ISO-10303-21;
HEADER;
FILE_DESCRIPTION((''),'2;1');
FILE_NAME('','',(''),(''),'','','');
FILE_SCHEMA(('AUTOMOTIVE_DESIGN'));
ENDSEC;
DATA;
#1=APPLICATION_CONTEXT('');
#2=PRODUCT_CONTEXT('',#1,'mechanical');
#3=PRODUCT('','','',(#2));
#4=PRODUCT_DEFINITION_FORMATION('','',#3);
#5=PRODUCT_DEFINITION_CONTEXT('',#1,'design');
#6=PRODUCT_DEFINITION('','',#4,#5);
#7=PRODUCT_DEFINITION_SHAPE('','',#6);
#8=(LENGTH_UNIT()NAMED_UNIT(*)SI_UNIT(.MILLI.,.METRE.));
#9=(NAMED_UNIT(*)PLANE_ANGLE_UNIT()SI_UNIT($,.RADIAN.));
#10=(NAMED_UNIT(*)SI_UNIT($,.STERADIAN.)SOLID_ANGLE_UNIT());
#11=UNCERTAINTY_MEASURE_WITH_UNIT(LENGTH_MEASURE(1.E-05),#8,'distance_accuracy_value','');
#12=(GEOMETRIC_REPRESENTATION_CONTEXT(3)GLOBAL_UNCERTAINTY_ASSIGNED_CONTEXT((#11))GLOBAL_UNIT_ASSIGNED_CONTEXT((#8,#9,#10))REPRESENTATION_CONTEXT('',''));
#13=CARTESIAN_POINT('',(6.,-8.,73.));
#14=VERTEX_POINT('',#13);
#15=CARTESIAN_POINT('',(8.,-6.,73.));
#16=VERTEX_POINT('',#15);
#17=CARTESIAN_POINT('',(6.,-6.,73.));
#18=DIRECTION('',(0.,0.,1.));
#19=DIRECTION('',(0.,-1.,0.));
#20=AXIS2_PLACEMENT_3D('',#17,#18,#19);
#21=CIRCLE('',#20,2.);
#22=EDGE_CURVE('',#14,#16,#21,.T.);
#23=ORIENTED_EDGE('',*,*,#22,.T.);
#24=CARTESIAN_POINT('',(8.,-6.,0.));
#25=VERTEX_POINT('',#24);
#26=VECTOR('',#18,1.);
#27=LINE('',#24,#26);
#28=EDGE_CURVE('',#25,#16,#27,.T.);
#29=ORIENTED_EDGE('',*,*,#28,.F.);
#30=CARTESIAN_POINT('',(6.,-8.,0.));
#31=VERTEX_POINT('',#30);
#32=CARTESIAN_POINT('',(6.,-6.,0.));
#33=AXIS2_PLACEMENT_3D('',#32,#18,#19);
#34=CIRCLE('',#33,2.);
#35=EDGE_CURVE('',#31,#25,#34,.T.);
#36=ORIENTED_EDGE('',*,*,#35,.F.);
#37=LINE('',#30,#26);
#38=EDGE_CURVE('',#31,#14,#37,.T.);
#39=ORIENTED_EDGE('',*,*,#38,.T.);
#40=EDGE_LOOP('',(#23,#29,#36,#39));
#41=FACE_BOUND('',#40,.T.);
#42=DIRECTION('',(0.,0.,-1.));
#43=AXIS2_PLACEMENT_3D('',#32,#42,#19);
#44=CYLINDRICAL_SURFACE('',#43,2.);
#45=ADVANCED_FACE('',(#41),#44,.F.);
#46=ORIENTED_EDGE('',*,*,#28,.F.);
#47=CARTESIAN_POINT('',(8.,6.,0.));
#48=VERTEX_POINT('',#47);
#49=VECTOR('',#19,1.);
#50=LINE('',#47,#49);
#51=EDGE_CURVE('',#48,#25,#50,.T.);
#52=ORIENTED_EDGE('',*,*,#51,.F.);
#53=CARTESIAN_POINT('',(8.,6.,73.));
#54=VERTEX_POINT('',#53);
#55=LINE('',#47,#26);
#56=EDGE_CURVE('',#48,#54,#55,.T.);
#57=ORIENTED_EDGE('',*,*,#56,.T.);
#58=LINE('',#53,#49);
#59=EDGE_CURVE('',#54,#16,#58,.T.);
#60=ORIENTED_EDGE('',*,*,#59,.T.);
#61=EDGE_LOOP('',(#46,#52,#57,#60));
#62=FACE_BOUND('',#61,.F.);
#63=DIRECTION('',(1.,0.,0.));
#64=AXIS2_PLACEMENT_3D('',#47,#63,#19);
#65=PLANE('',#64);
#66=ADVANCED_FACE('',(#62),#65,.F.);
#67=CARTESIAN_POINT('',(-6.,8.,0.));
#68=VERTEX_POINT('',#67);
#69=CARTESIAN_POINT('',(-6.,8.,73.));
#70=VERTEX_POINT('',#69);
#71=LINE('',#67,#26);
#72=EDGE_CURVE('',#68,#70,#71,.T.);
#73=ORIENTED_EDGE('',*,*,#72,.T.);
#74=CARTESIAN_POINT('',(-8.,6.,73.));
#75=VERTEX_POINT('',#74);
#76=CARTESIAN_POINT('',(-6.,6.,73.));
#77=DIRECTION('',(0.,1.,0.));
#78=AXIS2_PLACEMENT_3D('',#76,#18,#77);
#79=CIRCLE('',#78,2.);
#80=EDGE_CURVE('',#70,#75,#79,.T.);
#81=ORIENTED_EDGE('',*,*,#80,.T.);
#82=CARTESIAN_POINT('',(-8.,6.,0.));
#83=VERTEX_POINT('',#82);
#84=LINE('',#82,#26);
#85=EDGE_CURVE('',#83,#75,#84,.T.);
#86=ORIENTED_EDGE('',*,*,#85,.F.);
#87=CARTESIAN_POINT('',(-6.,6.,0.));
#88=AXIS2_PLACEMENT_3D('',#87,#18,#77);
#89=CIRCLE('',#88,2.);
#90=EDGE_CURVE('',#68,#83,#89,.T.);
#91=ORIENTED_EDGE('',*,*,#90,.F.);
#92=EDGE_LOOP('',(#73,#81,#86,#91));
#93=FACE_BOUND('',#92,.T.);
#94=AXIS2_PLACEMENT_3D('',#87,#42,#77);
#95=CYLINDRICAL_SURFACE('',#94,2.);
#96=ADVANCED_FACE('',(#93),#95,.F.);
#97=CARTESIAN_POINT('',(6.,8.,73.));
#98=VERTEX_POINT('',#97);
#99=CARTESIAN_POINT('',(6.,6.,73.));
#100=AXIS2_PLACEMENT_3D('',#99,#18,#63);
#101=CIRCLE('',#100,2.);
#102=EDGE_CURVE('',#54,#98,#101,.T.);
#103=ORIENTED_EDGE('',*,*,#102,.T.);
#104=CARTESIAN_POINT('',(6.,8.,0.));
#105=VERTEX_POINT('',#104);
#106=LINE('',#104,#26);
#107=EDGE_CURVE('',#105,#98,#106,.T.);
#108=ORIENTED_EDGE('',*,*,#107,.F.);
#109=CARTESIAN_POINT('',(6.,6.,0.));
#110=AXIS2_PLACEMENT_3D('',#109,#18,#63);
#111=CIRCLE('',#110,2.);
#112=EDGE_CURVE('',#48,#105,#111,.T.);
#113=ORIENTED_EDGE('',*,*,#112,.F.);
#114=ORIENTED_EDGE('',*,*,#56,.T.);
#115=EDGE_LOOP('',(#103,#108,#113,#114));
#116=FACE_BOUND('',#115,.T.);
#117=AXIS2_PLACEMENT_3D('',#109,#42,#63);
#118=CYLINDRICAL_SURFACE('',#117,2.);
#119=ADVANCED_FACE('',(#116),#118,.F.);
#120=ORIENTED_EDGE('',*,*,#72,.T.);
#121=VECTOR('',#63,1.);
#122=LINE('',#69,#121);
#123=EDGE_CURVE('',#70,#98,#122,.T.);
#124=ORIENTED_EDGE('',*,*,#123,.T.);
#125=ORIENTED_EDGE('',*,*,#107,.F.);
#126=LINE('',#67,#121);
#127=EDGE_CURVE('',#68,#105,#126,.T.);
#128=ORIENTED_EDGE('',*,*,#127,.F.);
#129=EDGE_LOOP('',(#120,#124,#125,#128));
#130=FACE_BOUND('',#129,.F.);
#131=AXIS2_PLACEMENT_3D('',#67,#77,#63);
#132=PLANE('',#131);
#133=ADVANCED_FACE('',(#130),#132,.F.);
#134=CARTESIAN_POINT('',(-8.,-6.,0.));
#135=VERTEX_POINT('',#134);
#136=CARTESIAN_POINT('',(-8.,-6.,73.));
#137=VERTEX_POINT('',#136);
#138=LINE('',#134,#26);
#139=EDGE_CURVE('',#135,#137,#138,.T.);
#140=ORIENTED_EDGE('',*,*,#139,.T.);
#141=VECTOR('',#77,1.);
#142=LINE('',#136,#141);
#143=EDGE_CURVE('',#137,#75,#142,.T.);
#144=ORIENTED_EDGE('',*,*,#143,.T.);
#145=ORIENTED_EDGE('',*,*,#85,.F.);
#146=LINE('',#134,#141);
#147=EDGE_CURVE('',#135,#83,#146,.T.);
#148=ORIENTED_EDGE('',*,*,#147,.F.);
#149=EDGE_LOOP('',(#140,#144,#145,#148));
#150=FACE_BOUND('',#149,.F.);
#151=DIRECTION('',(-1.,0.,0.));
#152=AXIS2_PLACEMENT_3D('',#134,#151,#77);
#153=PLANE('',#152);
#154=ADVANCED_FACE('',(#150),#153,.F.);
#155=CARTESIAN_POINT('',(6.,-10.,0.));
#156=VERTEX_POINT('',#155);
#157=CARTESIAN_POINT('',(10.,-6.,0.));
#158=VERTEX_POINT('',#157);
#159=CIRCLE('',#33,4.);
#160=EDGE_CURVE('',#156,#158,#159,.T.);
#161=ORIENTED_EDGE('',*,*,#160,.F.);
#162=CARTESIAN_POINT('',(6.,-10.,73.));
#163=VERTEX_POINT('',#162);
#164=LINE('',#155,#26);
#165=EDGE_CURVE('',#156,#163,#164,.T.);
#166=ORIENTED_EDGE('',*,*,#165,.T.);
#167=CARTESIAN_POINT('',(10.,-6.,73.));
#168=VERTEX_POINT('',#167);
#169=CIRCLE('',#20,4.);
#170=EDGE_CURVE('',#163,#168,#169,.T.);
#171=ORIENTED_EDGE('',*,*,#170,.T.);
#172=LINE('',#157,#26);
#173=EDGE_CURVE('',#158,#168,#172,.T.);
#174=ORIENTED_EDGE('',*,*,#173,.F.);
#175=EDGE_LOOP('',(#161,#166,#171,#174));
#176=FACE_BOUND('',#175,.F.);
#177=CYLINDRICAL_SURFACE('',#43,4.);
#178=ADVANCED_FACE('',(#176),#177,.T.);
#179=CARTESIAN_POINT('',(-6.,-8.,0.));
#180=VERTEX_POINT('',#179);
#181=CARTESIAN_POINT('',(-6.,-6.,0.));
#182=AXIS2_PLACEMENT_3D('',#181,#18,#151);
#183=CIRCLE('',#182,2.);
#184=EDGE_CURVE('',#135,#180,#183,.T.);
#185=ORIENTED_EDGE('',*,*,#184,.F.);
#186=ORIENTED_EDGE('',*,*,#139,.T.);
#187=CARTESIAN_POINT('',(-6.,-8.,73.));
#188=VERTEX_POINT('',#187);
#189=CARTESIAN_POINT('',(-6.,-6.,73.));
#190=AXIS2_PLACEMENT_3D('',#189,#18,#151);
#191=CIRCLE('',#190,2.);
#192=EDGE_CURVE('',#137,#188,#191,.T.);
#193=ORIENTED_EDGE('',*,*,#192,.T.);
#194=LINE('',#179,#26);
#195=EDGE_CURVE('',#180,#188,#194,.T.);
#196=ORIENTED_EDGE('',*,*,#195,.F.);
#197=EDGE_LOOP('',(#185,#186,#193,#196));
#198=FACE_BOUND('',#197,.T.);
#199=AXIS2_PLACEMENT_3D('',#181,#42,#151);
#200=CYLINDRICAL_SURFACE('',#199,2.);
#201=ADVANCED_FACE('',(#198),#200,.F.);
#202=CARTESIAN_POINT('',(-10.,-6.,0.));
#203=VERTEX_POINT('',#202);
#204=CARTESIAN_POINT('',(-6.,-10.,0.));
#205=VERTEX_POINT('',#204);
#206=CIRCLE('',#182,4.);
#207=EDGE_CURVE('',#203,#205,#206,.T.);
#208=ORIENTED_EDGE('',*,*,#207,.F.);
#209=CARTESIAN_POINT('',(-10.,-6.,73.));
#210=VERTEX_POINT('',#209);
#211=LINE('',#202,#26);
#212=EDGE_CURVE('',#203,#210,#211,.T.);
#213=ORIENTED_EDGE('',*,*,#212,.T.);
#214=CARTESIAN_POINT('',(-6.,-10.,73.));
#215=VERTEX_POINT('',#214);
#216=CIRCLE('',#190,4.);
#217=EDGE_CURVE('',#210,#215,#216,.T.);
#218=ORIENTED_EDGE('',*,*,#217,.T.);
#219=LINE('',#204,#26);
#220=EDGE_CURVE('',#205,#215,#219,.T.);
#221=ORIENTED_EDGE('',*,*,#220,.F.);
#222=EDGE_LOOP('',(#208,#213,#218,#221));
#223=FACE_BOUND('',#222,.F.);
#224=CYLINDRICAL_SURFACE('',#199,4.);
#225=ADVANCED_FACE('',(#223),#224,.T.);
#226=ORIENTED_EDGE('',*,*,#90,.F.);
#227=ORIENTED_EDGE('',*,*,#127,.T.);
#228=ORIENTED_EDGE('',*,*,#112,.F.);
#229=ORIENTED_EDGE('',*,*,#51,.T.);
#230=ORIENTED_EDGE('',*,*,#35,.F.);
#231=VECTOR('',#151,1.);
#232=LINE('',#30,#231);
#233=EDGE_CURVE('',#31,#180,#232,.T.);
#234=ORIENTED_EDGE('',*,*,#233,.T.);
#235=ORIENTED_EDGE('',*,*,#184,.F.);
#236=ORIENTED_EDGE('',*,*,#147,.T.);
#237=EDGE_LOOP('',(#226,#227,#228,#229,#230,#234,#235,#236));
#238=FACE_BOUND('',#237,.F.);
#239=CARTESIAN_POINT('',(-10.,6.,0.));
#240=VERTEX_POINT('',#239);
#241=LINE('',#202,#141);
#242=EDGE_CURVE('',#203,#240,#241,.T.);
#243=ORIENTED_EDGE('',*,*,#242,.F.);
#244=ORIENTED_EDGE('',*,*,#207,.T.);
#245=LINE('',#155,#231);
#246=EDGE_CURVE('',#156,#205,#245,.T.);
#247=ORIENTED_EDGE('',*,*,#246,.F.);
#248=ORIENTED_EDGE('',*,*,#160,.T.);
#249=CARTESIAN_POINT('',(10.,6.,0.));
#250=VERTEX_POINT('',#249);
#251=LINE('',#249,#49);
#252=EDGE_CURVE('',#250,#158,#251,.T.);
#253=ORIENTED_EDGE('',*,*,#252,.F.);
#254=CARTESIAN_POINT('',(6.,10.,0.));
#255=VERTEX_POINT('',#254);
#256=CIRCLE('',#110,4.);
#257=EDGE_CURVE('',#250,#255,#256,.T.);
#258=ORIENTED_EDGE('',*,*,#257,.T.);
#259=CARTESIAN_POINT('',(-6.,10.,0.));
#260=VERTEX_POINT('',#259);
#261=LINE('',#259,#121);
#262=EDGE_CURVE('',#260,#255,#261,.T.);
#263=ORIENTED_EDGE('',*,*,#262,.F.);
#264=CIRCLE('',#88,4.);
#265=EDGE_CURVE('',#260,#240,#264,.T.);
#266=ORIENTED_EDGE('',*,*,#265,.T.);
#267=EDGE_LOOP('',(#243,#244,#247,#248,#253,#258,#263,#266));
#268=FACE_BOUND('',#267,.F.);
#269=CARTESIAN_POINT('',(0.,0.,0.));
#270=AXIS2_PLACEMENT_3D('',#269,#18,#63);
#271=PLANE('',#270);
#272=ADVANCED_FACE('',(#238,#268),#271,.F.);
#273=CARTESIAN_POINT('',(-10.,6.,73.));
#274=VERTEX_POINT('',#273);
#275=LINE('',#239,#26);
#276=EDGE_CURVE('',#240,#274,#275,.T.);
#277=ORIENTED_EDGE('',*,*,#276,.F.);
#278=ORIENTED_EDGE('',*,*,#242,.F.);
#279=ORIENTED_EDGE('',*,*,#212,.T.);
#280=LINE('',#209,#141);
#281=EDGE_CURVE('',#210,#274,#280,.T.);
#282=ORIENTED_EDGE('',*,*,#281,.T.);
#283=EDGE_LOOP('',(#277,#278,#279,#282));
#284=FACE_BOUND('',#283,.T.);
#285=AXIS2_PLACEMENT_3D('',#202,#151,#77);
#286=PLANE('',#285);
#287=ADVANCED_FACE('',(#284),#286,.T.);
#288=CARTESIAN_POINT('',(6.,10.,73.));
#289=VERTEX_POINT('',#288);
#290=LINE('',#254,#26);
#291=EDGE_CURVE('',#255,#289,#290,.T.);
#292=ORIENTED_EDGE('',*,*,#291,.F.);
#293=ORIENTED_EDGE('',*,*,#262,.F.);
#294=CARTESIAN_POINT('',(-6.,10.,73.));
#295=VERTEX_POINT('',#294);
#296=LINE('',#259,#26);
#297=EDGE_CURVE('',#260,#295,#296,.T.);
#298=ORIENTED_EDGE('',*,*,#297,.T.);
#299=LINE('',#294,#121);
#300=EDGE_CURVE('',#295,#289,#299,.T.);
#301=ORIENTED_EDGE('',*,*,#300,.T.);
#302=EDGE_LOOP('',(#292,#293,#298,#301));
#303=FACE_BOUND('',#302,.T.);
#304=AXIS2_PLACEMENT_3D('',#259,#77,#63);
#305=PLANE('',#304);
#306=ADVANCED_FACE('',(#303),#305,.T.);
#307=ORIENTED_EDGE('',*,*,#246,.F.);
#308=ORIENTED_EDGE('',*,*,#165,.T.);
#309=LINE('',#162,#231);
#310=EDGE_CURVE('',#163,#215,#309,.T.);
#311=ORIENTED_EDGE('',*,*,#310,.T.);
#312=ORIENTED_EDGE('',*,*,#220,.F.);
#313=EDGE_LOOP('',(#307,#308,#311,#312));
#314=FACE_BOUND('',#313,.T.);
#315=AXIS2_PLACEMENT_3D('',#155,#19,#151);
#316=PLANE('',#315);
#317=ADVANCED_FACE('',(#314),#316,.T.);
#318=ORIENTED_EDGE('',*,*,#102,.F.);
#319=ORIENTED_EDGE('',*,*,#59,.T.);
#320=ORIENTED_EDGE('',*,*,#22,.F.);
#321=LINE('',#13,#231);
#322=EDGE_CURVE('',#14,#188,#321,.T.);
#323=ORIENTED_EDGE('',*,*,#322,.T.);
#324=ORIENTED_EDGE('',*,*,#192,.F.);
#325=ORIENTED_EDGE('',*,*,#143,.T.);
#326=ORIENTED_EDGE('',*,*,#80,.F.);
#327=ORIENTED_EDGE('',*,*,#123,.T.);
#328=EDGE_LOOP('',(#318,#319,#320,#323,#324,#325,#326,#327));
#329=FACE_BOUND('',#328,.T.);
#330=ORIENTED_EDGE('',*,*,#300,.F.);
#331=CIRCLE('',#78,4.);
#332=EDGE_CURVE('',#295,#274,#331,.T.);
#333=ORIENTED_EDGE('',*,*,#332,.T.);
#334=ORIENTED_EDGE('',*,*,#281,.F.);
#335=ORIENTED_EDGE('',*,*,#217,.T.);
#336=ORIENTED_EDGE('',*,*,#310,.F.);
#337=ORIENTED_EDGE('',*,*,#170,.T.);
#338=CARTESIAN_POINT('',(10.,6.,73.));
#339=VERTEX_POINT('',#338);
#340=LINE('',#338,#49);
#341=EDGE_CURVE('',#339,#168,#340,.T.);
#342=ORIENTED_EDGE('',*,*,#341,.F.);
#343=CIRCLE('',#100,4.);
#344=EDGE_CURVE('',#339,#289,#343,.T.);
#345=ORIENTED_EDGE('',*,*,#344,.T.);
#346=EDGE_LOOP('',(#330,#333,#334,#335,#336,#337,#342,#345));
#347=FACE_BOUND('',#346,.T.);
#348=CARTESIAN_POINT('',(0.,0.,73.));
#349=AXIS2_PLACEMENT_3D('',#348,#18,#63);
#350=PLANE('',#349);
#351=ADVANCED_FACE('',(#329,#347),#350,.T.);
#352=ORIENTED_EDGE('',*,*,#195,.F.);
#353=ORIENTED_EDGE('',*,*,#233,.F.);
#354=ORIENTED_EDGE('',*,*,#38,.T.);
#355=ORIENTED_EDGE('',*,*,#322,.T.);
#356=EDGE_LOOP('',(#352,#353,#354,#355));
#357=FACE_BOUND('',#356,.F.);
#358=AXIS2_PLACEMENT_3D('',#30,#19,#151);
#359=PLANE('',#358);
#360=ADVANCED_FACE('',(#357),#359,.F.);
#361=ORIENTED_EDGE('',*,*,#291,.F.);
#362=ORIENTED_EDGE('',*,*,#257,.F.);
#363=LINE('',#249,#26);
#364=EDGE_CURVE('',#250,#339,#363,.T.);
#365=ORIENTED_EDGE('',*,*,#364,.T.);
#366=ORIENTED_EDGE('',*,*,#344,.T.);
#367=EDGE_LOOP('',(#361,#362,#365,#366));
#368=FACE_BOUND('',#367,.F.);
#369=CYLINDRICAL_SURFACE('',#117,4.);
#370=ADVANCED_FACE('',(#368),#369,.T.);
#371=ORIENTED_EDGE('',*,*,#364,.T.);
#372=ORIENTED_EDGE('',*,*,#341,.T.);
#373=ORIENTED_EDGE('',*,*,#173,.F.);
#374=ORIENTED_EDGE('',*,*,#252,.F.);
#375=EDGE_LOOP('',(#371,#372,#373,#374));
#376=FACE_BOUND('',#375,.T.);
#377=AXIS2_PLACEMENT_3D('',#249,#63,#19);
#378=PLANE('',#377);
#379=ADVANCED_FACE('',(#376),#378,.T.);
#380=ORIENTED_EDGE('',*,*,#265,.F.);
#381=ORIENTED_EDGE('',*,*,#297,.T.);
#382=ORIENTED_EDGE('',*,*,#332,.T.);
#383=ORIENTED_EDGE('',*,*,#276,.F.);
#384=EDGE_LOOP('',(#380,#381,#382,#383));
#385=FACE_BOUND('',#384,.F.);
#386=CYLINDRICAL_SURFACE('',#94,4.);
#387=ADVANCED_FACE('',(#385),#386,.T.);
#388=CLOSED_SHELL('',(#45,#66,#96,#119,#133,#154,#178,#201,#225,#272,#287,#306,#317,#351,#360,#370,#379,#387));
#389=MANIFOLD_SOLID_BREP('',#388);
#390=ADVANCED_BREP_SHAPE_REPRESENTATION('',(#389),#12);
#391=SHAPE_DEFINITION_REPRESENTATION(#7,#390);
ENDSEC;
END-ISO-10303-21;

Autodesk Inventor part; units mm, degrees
ref_plane "YZ Plane" through (0, 0, 0) normal (1, 0, 0) x (0, 1, 0)
ref_plane "Plan de départ" through (0, 0, 0) normal (0, 0, 1) x (1, 0, 0)
ref_plane "Plan de fin" through (0, 0, 73) normal (0, 0, 1) x (1, 0, 0)
sketch "Esquisse" plane through (0, 0, 0) normal (0, 0, 1) x (1, 0, 0)
  line L0 (-10, -6) -> (-10, 6)
  line L1 (-6, 10) -> (6, 10)
  line L2 (10, 6) -> (10, -6)
  line L3 (6, -10) -> (-6, -10)
  arc A0 (-10, -6) -> (-6, -10) centre (-6, -6) ccw
  arc A1 (10, 6) -> (6, 10) centre (6, 6) ccw
  arc A2 (-6, 10) -> (-10, 6) centre (-6, 6) ccw
  arc A3 (6, -10) -> (10, -6) centre (6, -6) ccw
  arc A4 (-6, 8) -> (-8, 6) centre (-6, 6) ccw
  line L4 (-6, 8) -> (6, 8)
  arc A5 (8, 6) -> (6, 8) centre (6, 6) ccw
  line L5 (8, 6) -> (8, -6)
  arc A6 (6, -8) -> (8, -6) centre (6, -6) ccw
  line L6 (6, -8) -> (-6, -8)
  arc A7 (-8, -6) -> (-6, -8) centre (-6, -6) ccw
  line L7 (-8, -6) -> (-8, 6)
  line L8 (0, 15.1598) -> (0, -15.1598) construction
  line L9 (-15.1598, 0) -> (15.1598, 0) construction
  dimension "d7" = 4
  dimension "d9" = 20
  dimension "d11" = 20
  dimension "d12" = 2
  dimension "d15" = 10
  dimension "d16" = 10
extrude "Corps" add sketch "Esquisse" along normal up to surface (73 mm away) from surface at 0
sketch "Sketch3" plane through (0, 0, 0) normal (0, 0, 1) x (1, 0, 0)
  line L0 (0, 0) -> (10, 0)
ref_plane "Work Plane3" through (0, 0, 0) normal (0, -1, 0) x (1, 0, 0)
sketch "Sketch4" plane through (0, 0, 0) normal (0, -1, 0) x (1, 0, 0)
  line L0 (-2, 0) -> (12, 0) projected
  line L1 (-2, 73) -> (12, 73) projected
  dimension "d18" = 73
equation "\"d7\" = G_IR"
equation "\"d9\" = G_W"
equation "\"d11\" = G_H"
equation "\"d12\" = G_T"
equation "\"d15\" = 0.5 * d9"
equation "\"d16\" = 0.5 * d11"
equation "\"d3\" = G_L"
equation "\"G_W\" = 20"
equation "\"G_H\" = 20"
equation "\"G_T\" = 2"
equation "\"G_IR\" = 4"
equation "\"G_L\" = d18"
equation "\"G_OFFSET_START\" = 0"
equation "\"G_OFFSET_END\" = 0"
equation "\"d14\" = G_OFFSET_END + B_L"
equation "\"B_L\" = 73"
properties part number "ISO 10799-2 - 20x20x2 - 73" material "Acier, doux"
